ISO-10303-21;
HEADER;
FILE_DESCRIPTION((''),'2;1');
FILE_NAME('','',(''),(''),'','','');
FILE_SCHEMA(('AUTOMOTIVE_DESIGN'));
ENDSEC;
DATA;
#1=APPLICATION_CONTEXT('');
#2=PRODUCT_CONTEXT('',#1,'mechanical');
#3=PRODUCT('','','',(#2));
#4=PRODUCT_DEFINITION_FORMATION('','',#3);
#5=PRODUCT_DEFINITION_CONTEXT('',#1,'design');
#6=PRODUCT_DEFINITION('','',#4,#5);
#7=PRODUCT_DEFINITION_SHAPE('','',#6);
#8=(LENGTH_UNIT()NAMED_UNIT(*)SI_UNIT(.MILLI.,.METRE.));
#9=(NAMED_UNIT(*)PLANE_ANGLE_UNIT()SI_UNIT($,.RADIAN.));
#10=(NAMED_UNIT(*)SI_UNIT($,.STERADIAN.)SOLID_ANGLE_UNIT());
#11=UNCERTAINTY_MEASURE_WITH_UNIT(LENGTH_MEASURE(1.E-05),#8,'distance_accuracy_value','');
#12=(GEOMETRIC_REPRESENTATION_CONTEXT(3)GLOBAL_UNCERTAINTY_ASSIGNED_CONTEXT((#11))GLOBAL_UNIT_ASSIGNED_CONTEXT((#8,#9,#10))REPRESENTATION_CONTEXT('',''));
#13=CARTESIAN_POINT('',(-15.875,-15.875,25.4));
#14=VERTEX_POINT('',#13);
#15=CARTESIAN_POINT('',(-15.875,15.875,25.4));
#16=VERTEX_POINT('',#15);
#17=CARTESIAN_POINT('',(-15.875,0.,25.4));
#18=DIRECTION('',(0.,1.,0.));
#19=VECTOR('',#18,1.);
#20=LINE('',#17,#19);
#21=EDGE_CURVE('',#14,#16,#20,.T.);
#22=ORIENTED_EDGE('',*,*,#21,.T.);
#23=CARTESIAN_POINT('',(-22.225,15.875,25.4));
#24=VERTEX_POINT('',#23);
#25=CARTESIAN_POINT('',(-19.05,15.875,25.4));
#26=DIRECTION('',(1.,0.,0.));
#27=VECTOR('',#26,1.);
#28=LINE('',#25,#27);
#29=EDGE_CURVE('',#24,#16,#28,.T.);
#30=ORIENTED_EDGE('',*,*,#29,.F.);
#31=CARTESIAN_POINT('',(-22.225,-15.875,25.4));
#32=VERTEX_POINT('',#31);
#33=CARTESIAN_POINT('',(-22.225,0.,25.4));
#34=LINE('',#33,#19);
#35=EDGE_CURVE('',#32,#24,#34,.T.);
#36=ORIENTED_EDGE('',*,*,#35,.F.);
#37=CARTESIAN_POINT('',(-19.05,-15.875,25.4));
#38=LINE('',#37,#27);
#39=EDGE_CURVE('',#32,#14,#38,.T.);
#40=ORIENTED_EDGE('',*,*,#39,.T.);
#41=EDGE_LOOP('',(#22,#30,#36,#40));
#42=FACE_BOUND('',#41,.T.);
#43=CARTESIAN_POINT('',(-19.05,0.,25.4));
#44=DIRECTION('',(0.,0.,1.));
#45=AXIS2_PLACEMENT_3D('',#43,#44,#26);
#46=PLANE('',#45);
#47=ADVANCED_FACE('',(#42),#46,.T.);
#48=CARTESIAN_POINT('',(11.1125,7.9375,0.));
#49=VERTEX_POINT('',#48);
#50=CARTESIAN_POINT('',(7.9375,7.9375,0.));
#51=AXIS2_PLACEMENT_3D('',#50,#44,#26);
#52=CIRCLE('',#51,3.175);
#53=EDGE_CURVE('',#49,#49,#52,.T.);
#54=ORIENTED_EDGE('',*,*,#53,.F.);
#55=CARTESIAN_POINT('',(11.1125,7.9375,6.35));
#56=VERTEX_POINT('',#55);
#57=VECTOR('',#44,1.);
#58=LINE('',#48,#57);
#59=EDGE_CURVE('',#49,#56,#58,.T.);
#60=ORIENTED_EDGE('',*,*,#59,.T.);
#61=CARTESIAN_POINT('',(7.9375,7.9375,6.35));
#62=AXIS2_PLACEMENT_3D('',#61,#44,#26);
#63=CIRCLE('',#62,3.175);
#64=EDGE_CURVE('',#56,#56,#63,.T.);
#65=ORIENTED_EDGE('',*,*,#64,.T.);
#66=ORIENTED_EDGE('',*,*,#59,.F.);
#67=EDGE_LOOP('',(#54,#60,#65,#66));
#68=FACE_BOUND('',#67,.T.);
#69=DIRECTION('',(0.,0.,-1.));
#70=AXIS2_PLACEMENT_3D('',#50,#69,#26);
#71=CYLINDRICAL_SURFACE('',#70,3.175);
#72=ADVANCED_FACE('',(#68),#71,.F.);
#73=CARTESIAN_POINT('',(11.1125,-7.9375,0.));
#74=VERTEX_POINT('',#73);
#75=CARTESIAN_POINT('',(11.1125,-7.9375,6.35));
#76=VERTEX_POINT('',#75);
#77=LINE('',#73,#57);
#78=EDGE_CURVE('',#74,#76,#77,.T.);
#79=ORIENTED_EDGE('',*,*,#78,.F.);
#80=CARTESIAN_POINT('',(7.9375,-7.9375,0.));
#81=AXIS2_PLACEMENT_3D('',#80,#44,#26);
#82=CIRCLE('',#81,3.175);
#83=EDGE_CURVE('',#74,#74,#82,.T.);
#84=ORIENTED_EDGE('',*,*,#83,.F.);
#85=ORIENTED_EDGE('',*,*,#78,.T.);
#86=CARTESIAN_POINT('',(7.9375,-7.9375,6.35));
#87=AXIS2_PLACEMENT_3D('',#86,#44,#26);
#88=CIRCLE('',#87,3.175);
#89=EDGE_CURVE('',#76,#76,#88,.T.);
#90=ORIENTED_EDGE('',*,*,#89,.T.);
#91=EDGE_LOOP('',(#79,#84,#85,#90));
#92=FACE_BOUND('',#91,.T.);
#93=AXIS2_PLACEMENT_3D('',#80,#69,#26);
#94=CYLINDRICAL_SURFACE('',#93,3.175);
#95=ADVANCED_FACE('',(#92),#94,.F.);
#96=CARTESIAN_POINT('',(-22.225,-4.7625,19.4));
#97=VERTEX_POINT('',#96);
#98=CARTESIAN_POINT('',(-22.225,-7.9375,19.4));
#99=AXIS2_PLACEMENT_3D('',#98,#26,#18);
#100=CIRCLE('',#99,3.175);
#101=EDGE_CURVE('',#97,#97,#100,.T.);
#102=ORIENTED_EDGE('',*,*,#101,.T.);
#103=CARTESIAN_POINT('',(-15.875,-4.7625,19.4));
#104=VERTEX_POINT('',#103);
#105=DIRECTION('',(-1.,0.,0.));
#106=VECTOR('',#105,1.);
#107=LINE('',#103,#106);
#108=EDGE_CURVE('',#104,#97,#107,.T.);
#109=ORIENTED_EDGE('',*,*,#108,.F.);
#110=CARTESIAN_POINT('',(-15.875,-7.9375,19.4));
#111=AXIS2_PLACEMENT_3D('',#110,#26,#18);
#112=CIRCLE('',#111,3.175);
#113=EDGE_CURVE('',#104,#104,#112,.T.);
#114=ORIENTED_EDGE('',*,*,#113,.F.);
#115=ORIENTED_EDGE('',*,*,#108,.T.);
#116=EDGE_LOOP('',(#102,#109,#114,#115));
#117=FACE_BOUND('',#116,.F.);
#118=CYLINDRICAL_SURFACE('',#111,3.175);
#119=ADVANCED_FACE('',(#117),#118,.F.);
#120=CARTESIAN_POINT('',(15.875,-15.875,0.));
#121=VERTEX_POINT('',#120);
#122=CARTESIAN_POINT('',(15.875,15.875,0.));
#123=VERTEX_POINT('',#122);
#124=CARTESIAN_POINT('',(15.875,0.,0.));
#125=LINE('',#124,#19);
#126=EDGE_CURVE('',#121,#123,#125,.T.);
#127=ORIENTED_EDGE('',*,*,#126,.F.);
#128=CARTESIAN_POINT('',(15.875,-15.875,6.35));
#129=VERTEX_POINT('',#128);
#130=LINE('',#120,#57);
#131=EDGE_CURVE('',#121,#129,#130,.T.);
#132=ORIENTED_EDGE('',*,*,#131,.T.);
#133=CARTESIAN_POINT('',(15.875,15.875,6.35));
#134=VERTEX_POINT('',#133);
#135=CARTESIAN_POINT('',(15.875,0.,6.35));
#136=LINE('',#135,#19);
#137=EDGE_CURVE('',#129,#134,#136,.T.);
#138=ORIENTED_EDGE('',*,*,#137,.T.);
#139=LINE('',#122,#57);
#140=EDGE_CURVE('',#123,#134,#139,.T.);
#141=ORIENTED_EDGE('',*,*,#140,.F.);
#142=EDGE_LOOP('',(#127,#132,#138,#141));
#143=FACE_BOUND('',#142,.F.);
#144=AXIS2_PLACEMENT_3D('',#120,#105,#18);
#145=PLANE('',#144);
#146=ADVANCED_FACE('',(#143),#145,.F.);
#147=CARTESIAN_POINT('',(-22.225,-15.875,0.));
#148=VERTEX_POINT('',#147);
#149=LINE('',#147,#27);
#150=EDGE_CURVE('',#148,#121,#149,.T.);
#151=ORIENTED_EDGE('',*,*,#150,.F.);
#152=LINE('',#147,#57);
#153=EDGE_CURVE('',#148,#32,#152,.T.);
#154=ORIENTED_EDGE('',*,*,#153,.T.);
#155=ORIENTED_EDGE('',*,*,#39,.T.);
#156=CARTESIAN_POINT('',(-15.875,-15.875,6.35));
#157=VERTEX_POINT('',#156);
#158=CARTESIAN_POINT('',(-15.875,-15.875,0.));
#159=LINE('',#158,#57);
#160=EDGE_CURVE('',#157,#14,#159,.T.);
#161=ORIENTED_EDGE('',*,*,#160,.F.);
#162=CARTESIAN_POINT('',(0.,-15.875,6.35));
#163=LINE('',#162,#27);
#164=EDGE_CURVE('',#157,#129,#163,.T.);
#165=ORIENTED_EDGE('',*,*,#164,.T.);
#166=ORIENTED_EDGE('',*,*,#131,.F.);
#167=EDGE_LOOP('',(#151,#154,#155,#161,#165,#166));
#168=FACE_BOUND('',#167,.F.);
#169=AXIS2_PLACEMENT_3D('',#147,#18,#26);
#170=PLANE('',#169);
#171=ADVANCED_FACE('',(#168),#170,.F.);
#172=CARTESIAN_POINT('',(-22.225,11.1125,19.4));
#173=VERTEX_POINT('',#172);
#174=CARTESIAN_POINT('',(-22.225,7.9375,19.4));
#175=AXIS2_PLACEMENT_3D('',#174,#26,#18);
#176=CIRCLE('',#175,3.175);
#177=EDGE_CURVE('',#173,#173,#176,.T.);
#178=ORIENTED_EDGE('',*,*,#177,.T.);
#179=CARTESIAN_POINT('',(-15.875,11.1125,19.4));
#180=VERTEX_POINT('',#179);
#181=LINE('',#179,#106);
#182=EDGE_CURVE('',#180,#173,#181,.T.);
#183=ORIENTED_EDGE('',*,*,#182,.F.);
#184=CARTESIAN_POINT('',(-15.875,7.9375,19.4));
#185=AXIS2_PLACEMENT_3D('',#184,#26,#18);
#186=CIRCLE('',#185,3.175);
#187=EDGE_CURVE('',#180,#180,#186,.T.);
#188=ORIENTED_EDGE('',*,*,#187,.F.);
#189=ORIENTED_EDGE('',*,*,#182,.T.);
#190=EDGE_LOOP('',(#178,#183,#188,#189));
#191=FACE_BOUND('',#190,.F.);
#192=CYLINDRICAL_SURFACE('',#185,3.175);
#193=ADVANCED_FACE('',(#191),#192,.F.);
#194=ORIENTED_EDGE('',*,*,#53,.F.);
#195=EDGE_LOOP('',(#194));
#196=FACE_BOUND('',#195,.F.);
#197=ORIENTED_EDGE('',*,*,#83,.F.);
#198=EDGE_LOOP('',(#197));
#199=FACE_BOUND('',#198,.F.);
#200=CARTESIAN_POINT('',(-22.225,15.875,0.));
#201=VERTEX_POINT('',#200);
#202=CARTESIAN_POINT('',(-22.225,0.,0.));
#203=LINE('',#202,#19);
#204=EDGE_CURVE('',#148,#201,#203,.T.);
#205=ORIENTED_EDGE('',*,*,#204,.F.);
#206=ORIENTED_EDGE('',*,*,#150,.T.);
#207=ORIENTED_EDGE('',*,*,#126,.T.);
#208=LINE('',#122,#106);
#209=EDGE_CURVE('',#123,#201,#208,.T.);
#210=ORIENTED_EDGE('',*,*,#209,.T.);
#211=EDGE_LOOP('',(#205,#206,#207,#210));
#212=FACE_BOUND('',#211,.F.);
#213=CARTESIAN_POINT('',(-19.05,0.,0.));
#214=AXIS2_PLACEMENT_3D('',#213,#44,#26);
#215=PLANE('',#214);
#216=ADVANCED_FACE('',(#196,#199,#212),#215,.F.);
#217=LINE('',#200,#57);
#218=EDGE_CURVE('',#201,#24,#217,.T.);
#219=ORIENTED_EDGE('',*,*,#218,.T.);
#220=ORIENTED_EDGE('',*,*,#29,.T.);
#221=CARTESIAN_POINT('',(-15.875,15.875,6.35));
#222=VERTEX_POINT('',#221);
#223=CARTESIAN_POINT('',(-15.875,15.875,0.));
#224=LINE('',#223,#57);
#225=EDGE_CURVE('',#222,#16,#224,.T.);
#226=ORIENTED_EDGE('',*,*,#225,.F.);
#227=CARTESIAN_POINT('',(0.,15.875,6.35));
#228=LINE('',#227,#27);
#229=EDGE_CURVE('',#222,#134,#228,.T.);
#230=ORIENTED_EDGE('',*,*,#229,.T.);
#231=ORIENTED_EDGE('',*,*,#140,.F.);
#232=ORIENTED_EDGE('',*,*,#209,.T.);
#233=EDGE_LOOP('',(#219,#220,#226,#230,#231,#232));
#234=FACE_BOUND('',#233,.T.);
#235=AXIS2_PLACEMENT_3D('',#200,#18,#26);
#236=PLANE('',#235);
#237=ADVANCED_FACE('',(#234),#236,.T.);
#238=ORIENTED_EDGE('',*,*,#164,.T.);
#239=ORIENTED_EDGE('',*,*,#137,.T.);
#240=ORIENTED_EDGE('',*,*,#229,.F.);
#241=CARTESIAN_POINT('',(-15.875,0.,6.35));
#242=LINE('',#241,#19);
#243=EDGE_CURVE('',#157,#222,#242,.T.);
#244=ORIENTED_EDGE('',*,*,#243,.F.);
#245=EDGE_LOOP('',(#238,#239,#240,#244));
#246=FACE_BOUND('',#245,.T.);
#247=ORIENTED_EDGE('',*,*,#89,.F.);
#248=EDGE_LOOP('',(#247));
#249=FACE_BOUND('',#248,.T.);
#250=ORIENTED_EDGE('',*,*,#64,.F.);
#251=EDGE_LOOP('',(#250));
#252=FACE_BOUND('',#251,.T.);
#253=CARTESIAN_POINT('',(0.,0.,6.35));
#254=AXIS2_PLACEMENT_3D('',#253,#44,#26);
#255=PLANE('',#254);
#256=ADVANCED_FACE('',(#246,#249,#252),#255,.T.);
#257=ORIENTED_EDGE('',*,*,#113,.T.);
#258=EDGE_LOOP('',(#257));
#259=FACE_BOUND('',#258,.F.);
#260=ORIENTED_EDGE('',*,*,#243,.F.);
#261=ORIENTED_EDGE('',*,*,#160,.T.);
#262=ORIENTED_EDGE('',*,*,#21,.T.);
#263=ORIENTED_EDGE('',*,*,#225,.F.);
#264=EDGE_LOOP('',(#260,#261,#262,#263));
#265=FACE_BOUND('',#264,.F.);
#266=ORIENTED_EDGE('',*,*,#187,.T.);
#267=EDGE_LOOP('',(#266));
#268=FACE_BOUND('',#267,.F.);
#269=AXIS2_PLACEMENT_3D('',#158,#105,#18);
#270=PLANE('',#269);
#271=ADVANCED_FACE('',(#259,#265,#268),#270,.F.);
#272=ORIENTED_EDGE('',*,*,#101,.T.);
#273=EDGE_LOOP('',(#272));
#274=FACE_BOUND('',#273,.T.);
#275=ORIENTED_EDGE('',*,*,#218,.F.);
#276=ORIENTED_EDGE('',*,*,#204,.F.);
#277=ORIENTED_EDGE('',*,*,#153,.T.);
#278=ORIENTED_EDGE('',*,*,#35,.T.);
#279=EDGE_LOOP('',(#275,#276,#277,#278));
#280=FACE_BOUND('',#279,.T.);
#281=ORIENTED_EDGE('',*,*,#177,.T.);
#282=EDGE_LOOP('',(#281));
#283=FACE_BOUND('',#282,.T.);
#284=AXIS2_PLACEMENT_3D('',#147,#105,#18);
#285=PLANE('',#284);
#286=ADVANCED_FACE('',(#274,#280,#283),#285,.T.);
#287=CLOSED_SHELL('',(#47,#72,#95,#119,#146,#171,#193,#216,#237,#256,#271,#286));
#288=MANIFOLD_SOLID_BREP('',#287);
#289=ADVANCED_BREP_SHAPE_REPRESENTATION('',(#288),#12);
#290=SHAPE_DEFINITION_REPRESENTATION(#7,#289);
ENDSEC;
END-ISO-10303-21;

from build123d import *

# Parameters (mm, degrees)
F0_W     = 31.75
F0_H     = 31.75
F0_R     = 3.175
F1_DEPTH = 6.35
F0_W_2   = 6.35
F2_DEPTH = 25.4
F3_R     = 3.175
F4_DEPTH = 25.4


with BuildPart() as f1:
    # F0 (on Top) → F1 (new body)
    with BuildSketch(Plane.XY):
        Rectangle(F0_W, F0_H)
        with Locations((7.9375, -7.9375)):
            Circle(F0_R, mode=Mode.SUBTRACT)
        with Locations((7.9375, 7.9375)):
            Circle(F0_R, mode=Mode.SUBTRACT)
    extrude(amount=F1_DEPTH)

    # F0 (on Top) → F2 (join)
    with BuildSketch(Plane.XY):
        with Locations((-19.05, 0)):
            Rectangle(F0_W_2, F0_H)
    extrude(amount=F2_DEPTH)

    # F3 (on face) → F4 (cut)
    with BuildSketch(Plane.YZ.offset(-15.875)):
        with Locations((-7.9375, 19.4)):
            Circle(F3_R)
        with Locations((7.9375, 19.4)):
            Circle(F3_R)
    extrude(amount=-F4_DEPTH, mode=Mode.SUBTRACT)


solid = f1.part
